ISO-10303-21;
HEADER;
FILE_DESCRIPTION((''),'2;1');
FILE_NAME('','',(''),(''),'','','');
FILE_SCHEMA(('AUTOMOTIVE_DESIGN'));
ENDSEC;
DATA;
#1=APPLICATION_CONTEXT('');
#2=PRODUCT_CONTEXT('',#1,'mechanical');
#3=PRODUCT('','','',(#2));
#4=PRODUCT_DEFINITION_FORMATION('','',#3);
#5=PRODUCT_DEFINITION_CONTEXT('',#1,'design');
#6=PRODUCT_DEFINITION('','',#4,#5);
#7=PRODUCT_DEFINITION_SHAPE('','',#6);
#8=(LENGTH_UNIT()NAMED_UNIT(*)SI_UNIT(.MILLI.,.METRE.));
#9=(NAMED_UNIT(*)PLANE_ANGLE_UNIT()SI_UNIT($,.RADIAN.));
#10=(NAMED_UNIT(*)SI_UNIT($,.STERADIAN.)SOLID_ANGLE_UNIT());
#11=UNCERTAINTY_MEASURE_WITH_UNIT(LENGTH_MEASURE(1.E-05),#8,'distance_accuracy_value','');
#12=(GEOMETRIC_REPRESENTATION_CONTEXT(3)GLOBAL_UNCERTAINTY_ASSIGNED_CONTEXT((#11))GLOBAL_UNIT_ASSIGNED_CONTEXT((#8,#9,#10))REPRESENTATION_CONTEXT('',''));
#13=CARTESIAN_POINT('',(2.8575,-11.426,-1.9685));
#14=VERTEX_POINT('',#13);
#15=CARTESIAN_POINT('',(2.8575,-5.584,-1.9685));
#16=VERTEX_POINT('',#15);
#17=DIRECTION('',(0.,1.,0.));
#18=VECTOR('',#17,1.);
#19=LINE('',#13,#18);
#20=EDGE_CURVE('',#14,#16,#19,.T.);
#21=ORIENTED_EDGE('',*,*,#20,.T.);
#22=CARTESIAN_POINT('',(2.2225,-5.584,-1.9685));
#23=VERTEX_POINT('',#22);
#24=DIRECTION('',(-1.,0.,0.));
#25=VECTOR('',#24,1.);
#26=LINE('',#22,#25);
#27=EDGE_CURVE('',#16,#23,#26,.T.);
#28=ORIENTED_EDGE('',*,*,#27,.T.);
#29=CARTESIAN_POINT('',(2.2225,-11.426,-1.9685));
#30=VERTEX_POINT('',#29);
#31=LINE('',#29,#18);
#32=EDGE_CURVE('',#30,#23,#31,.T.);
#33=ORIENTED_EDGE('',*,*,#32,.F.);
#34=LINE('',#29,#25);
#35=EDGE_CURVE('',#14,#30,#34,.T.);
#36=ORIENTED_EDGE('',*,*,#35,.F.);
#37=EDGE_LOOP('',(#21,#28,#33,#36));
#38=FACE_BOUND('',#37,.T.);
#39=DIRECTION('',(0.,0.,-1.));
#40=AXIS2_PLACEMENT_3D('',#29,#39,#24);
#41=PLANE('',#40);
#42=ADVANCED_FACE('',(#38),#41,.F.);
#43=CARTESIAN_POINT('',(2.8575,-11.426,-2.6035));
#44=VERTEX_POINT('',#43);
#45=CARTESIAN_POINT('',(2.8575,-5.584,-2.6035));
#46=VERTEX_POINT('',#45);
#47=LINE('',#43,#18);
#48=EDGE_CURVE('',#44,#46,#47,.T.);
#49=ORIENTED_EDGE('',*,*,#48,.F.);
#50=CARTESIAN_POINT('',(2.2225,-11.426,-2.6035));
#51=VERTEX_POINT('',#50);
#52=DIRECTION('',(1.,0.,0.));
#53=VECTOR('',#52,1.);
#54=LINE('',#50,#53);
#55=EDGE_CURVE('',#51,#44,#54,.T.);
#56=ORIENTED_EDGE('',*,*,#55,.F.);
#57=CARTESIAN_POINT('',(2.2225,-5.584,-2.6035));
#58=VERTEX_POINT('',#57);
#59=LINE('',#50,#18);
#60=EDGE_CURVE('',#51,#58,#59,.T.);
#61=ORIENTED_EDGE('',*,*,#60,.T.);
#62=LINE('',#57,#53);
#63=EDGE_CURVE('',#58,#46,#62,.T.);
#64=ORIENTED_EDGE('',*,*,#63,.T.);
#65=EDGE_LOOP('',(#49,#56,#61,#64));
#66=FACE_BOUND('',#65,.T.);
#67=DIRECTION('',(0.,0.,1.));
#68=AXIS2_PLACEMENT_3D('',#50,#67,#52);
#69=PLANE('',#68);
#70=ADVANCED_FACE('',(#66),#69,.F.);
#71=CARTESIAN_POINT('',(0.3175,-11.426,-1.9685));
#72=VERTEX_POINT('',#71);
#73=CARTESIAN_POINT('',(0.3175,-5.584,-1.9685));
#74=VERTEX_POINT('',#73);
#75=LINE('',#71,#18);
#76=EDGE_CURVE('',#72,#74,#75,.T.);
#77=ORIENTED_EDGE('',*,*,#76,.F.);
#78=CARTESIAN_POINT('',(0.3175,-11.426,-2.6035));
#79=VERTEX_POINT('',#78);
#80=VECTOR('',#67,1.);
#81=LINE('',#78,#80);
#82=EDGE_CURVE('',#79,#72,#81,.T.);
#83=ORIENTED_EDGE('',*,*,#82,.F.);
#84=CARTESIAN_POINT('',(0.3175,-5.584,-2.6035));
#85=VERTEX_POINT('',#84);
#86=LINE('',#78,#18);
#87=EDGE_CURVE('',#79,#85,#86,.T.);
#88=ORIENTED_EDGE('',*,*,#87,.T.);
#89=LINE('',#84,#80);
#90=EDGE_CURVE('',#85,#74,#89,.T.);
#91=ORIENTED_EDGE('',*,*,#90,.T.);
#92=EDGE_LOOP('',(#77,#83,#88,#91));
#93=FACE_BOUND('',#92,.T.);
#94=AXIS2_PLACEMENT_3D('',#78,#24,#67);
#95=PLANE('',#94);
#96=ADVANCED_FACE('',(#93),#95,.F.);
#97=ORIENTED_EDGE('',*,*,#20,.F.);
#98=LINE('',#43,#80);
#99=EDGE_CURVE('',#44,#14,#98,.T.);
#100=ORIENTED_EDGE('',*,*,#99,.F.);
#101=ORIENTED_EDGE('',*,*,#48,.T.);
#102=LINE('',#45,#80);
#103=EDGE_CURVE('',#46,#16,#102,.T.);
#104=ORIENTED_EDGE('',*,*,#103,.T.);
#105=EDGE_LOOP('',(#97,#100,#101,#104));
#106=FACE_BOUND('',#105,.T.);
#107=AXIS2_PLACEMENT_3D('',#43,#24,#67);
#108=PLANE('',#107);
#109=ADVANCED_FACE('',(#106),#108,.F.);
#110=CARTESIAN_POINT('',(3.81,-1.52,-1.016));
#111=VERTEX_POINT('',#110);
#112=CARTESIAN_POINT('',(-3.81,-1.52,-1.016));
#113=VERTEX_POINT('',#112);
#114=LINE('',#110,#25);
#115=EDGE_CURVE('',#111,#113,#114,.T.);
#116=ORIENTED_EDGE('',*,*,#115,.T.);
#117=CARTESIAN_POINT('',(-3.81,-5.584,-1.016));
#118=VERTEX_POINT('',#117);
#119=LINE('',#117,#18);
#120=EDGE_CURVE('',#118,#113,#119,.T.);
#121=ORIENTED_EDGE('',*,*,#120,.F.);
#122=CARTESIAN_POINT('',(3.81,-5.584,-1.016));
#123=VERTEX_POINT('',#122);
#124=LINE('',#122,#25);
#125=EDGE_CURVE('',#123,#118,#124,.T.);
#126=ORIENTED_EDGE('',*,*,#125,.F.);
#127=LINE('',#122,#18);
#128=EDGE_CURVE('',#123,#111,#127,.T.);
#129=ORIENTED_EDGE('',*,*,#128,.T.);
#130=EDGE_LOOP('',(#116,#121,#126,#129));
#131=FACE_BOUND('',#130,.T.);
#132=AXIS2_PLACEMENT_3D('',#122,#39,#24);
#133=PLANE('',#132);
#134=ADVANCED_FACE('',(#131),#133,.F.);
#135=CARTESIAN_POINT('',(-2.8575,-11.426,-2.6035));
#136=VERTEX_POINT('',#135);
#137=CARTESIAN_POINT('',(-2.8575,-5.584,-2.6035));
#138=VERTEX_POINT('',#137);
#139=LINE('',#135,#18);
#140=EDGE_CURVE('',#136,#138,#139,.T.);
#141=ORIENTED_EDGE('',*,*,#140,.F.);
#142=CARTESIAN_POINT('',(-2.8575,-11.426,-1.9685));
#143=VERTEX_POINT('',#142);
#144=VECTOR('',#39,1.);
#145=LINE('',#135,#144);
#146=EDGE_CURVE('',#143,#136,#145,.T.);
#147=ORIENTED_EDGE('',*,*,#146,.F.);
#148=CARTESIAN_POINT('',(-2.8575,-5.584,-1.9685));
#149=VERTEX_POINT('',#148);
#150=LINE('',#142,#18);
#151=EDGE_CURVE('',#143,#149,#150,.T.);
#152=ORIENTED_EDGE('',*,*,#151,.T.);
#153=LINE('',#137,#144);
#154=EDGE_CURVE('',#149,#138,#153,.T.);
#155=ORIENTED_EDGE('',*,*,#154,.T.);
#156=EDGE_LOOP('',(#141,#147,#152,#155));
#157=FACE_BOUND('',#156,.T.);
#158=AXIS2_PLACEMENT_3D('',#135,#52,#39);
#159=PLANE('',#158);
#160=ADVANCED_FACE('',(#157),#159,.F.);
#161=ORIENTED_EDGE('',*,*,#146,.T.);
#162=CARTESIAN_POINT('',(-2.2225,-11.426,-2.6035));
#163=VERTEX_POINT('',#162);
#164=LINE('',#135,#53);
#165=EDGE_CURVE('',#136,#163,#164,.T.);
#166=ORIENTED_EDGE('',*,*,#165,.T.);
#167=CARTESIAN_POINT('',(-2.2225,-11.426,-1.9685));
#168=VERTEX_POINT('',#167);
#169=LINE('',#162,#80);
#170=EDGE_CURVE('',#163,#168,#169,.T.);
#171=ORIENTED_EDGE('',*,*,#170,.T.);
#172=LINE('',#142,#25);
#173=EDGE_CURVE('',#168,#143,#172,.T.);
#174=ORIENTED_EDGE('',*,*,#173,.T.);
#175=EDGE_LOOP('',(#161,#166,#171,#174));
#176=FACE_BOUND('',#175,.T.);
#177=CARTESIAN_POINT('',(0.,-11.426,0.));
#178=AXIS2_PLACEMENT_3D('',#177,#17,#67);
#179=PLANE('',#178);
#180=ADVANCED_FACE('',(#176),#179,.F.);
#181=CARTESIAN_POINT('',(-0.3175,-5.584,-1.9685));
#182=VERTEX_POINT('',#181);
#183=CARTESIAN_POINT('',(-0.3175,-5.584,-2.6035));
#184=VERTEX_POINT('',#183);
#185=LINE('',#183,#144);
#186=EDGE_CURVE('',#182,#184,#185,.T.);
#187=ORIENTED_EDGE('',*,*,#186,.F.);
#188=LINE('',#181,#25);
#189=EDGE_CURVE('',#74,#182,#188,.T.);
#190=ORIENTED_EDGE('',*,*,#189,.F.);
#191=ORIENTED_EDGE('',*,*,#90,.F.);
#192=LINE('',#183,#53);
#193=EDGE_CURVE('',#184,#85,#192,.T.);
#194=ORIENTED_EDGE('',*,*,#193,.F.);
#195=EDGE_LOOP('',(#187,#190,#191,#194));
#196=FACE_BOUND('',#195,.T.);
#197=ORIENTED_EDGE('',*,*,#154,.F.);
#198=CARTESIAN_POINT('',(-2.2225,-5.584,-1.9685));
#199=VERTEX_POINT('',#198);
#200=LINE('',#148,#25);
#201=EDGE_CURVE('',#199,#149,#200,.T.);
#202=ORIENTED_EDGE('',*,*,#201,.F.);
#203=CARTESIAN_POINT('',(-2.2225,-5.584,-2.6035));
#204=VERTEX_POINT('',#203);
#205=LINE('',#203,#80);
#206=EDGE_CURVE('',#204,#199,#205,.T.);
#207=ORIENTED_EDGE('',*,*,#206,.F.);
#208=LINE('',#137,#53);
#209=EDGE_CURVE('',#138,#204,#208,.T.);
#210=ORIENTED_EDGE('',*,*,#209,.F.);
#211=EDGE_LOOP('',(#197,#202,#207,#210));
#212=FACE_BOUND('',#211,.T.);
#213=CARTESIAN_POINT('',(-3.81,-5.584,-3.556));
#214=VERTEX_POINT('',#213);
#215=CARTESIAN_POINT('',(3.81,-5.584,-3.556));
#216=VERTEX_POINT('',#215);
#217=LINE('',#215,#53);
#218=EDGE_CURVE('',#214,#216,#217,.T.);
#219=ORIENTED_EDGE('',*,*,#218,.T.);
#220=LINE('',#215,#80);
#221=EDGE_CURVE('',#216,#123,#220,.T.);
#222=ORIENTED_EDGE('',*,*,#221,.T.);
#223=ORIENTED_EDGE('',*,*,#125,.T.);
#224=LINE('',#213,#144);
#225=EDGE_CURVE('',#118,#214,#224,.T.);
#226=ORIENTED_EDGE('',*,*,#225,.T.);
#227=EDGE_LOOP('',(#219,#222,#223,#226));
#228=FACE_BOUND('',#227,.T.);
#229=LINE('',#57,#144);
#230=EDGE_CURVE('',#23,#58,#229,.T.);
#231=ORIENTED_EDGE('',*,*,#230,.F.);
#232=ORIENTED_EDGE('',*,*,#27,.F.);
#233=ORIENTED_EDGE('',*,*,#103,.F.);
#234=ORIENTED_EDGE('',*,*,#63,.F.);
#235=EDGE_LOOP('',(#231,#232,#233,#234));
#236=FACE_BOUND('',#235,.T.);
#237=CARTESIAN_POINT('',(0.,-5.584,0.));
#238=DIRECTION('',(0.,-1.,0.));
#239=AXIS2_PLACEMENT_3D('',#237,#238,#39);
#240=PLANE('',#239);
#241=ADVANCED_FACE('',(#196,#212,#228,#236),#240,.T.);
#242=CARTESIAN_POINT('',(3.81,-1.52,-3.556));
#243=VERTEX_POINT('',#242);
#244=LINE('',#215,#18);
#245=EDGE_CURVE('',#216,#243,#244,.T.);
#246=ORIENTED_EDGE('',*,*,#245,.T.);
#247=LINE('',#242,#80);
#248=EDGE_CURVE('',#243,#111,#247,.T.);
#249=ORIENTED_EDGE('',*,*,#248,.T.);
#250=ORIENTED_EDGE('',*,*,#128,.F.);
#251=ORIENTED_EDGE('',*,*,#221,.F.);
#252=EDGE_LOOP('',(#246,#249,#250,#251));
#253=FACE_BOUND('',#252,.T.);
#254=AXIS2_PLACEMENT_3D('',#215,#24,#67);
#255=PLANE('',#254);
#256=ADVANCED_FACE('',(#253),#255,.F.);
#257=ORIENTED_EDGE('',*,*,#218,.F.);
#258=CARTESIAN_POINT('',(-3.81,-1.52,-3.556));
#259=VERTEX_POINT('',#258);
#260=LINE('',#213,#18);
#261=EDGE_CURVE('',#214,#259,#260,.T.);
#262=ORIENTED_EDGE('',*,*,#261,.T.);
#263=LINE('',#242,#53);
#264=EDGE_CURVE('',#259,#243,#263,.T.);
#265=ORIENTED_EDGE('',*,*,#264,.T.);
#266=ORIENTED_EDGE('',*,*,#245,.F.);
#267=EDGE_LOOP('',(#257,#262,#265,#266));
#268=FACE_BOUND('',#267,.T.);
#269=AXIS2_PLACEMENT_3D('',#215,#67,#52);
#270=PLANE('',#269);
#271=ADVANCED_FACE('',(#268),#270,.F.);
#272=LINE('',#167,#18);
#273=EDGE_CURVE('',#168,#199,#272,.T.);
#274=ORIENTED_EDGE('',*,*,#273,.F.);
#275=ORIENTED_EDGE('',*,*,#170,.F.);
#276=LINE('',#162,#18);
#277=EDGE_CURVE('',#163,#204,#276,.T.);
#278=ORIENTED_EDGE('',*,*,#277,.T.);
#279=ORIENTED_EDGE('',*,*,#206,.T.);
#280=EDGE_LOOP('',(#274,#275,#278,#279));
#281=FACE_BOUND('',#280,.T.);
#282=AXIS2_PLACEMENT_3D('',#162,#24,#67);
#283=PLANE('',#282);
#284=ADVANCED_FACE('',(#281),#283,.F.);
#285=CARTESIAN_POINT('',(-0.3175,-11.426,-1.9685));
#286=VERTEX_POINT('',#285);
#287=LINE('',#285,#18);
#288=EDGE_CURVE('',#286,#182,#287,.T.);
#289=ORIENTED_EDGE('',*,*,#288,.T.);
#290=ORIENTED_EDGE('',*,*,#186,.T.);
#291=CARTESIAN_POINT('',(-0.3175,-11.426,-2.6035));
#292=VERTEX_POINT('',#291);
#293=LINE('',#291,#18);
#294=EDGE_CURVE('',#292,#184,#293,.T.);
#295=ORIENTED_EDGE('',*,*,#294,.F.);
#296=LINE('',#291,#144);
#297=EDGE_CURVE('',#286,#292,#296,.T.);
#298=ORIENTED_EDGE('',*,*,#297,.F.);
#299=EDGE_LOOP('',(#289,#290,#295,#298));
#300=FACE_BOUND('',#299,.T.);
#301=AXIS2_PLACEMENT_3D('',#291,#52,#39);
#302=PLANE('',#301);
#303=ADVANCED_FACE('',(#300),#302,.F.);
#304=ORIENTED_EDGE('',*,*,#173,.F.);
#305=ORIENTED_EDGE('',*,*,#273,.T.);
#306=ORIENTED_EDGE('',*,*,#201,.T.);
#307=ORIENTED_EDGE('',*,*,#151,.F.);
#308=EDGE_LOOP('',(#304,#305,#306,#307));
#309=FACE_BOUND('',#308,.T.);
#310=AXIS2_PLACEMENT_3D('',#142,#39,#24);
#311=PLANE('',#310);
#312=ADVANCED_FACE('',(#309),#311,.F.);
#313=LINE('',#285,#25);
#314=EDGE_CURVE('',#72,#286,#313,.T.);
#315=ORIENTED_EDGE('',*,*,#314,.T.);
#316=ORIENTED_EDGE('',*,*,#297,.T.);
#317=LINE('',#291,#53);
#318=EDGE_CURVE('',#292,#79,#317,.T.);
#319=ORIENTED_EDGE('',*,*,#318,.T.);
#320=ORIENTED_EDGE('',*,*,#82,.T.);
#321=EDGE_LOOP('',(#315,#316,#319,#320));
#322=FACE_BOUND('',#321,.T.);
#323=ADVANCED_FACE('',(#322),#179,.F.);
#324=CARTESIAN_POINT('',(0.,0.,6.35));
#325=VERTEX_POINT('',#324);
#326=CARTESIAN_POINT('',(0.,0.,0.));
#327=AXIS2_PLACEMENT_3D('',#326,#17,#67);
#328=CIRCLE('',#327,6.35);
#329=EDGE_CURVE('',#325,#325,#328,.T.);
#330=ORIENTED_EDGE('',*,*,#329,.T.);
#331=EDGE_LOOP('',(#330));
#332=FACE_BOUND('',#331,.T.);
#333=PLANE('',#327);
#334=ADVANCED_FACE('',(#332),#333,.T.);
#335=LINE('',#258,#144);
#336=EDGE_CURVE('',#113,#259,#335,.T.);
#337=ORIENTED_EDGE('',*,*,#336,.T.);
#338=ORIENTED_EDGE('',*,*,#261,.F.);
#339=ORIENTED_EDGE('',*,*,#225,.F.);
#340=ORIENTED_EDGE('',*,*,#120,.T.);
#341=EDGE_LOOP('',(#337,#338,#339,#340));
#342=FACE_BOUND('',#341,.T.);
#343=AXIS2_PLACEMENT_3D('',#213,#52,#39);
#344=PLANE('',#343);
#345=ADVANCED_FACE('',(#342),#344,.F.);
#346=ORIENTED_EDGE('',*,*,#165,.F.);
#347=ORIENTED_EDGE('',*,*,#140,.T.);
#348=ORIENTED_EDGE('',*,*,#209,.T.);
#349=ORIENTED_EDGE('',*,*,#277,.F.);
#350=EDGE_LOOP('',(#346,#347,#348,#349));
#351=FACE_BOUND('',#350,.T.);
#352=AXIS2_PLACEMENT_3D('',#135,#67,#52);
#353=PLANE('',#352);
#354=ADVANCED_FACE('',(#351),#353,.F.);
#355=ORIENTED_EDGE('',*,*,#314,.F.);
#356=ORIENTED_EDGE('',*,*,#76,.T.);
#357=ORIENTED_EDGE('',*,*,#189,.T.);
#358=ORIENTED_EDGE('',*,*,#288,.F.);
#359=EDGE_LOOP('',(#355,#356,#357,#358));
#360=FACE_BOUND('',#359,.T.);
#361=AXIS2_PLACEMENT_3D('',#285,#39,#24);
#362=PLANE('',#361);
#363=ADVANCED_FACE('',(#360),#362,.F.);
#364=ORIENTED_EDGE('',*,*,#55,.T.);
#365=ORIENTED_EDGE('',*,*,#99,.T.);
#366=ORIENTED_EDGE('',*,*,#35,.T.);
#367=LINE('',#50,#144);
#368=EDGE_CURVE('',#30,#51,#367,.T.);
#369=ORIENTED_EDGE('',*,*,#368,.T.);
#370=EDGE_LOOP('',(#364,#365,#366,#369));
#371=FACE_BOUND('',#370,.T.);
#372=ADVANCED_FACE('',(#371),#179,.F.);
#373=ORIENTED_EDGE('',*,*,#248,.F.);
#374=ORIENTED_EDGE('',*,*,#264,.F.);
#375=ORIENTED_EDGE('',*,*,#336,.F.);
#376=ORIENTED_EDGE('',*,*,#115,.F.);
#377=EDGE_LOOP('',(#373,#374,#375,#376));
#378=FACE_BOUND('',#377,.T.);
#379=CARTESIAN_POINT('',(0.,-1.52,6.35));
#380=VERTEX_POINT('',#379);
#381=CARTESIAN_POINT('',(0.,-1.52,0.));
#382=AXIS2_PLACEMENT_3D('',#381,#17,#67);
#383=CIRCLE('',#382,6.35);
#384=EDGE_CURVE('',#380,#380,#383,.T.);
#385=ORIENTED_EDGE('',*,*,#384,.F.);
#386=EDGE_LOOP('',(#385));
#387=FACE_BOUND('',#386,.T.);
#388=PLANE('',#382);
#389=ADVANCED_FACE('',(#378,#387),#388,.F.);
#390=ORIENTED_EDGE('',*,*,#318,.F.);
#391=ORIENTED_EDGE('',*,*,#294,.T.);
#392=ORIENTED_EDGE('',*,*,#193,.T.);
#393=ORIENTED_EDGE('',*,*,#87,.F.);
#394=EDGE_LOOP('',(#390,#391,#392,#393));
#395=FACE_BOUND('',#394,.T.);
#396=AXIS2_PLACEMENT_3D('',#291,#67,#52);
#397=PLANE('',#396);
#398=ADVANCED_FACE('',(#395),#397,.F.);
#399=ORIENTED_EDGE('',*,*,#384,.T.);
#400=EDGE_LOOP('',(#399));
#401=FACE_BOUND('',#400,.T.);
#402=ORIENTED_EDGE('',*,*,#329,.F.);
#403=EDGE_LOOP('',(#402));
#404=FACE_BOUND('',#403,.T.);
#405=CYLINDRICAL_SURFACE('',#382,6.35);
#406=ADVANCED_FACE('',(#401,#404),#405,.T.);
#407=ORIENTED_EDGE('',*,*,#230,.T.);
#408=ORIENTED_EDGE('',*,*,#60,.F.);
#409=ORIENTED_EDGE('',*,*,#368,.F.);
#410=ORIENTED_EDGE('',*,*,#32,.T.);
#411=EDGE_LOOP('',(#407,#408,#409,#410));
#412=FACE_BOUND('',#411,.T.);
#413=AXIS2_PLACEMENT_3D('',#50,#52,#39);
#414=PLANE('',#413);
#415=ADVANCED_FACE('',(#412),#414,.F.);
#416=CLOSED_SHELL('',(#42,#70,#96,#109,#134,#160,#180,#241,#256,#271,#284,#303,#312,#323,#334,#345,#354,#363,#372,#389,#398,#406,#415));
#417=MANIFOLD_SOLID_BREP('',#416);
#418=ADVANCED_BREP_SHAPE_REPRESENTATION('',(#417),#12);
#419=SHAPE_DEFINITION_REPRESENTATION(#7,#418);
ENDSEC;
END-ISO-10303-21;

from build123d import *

# Parameters (mm, degrees)
SKETCH1_R           = 6.35
BOSS_EXTRUDE1_DEPTH = 1.52
SKETCH2_W           = 7.62
SKETCH2_H           = 2.54
BOSS_EXTRUDE2_DEPTH = 4.064
SKETCH3_W           = 0.635
SKETCH3_H           = 0.635
BOSS_EXTRUDE3_DEPTH = 5.842


with BuildPart() as part:
    # Sketch1 → Boss-Extrude1 (new body)
    with BuildSketch(Plane(origin=(0, 0, 0), x_dir=(1, 0, 0), z_dir=(0, 1, 0))):
        with Locations(Location((0, 0, 0), (0, 0, 270))):
            Circle(SKETCH1_R)
    extrude(amount=-BOSS_EXTRUDE1_DEPTH)

    # Sketch2 → Boss-Extrude2 (add)
    with BuildSketch(Plane.XZ.offset(1.52)):
        with Locations((0, -2.286)):
            Rectangle(SKETCH2_W, SKETCH2_H)
    extrude(amount=BOSS_EXTRUDE2_DEPTH)

    # Sketch3 → Boss-Extrude3 (add)
    with BuildSketch(Plane.XZ.offset(5.584)):
        with Locations((0, -2.286)):
            Rectangle(SKETCH3_W, SKETCH3_H)
        with Locations((-2.54, -2.286)):
            Rectangle(SKETCH3_W, SKETCH3_H)
        with Locations((2.54, -2.286)):
            Rectangle(SKETCH3_W, SKETCH3_H)
    extrude(amount=BOSS_EXTRUDE3_DEPTH)


solid = part.part
